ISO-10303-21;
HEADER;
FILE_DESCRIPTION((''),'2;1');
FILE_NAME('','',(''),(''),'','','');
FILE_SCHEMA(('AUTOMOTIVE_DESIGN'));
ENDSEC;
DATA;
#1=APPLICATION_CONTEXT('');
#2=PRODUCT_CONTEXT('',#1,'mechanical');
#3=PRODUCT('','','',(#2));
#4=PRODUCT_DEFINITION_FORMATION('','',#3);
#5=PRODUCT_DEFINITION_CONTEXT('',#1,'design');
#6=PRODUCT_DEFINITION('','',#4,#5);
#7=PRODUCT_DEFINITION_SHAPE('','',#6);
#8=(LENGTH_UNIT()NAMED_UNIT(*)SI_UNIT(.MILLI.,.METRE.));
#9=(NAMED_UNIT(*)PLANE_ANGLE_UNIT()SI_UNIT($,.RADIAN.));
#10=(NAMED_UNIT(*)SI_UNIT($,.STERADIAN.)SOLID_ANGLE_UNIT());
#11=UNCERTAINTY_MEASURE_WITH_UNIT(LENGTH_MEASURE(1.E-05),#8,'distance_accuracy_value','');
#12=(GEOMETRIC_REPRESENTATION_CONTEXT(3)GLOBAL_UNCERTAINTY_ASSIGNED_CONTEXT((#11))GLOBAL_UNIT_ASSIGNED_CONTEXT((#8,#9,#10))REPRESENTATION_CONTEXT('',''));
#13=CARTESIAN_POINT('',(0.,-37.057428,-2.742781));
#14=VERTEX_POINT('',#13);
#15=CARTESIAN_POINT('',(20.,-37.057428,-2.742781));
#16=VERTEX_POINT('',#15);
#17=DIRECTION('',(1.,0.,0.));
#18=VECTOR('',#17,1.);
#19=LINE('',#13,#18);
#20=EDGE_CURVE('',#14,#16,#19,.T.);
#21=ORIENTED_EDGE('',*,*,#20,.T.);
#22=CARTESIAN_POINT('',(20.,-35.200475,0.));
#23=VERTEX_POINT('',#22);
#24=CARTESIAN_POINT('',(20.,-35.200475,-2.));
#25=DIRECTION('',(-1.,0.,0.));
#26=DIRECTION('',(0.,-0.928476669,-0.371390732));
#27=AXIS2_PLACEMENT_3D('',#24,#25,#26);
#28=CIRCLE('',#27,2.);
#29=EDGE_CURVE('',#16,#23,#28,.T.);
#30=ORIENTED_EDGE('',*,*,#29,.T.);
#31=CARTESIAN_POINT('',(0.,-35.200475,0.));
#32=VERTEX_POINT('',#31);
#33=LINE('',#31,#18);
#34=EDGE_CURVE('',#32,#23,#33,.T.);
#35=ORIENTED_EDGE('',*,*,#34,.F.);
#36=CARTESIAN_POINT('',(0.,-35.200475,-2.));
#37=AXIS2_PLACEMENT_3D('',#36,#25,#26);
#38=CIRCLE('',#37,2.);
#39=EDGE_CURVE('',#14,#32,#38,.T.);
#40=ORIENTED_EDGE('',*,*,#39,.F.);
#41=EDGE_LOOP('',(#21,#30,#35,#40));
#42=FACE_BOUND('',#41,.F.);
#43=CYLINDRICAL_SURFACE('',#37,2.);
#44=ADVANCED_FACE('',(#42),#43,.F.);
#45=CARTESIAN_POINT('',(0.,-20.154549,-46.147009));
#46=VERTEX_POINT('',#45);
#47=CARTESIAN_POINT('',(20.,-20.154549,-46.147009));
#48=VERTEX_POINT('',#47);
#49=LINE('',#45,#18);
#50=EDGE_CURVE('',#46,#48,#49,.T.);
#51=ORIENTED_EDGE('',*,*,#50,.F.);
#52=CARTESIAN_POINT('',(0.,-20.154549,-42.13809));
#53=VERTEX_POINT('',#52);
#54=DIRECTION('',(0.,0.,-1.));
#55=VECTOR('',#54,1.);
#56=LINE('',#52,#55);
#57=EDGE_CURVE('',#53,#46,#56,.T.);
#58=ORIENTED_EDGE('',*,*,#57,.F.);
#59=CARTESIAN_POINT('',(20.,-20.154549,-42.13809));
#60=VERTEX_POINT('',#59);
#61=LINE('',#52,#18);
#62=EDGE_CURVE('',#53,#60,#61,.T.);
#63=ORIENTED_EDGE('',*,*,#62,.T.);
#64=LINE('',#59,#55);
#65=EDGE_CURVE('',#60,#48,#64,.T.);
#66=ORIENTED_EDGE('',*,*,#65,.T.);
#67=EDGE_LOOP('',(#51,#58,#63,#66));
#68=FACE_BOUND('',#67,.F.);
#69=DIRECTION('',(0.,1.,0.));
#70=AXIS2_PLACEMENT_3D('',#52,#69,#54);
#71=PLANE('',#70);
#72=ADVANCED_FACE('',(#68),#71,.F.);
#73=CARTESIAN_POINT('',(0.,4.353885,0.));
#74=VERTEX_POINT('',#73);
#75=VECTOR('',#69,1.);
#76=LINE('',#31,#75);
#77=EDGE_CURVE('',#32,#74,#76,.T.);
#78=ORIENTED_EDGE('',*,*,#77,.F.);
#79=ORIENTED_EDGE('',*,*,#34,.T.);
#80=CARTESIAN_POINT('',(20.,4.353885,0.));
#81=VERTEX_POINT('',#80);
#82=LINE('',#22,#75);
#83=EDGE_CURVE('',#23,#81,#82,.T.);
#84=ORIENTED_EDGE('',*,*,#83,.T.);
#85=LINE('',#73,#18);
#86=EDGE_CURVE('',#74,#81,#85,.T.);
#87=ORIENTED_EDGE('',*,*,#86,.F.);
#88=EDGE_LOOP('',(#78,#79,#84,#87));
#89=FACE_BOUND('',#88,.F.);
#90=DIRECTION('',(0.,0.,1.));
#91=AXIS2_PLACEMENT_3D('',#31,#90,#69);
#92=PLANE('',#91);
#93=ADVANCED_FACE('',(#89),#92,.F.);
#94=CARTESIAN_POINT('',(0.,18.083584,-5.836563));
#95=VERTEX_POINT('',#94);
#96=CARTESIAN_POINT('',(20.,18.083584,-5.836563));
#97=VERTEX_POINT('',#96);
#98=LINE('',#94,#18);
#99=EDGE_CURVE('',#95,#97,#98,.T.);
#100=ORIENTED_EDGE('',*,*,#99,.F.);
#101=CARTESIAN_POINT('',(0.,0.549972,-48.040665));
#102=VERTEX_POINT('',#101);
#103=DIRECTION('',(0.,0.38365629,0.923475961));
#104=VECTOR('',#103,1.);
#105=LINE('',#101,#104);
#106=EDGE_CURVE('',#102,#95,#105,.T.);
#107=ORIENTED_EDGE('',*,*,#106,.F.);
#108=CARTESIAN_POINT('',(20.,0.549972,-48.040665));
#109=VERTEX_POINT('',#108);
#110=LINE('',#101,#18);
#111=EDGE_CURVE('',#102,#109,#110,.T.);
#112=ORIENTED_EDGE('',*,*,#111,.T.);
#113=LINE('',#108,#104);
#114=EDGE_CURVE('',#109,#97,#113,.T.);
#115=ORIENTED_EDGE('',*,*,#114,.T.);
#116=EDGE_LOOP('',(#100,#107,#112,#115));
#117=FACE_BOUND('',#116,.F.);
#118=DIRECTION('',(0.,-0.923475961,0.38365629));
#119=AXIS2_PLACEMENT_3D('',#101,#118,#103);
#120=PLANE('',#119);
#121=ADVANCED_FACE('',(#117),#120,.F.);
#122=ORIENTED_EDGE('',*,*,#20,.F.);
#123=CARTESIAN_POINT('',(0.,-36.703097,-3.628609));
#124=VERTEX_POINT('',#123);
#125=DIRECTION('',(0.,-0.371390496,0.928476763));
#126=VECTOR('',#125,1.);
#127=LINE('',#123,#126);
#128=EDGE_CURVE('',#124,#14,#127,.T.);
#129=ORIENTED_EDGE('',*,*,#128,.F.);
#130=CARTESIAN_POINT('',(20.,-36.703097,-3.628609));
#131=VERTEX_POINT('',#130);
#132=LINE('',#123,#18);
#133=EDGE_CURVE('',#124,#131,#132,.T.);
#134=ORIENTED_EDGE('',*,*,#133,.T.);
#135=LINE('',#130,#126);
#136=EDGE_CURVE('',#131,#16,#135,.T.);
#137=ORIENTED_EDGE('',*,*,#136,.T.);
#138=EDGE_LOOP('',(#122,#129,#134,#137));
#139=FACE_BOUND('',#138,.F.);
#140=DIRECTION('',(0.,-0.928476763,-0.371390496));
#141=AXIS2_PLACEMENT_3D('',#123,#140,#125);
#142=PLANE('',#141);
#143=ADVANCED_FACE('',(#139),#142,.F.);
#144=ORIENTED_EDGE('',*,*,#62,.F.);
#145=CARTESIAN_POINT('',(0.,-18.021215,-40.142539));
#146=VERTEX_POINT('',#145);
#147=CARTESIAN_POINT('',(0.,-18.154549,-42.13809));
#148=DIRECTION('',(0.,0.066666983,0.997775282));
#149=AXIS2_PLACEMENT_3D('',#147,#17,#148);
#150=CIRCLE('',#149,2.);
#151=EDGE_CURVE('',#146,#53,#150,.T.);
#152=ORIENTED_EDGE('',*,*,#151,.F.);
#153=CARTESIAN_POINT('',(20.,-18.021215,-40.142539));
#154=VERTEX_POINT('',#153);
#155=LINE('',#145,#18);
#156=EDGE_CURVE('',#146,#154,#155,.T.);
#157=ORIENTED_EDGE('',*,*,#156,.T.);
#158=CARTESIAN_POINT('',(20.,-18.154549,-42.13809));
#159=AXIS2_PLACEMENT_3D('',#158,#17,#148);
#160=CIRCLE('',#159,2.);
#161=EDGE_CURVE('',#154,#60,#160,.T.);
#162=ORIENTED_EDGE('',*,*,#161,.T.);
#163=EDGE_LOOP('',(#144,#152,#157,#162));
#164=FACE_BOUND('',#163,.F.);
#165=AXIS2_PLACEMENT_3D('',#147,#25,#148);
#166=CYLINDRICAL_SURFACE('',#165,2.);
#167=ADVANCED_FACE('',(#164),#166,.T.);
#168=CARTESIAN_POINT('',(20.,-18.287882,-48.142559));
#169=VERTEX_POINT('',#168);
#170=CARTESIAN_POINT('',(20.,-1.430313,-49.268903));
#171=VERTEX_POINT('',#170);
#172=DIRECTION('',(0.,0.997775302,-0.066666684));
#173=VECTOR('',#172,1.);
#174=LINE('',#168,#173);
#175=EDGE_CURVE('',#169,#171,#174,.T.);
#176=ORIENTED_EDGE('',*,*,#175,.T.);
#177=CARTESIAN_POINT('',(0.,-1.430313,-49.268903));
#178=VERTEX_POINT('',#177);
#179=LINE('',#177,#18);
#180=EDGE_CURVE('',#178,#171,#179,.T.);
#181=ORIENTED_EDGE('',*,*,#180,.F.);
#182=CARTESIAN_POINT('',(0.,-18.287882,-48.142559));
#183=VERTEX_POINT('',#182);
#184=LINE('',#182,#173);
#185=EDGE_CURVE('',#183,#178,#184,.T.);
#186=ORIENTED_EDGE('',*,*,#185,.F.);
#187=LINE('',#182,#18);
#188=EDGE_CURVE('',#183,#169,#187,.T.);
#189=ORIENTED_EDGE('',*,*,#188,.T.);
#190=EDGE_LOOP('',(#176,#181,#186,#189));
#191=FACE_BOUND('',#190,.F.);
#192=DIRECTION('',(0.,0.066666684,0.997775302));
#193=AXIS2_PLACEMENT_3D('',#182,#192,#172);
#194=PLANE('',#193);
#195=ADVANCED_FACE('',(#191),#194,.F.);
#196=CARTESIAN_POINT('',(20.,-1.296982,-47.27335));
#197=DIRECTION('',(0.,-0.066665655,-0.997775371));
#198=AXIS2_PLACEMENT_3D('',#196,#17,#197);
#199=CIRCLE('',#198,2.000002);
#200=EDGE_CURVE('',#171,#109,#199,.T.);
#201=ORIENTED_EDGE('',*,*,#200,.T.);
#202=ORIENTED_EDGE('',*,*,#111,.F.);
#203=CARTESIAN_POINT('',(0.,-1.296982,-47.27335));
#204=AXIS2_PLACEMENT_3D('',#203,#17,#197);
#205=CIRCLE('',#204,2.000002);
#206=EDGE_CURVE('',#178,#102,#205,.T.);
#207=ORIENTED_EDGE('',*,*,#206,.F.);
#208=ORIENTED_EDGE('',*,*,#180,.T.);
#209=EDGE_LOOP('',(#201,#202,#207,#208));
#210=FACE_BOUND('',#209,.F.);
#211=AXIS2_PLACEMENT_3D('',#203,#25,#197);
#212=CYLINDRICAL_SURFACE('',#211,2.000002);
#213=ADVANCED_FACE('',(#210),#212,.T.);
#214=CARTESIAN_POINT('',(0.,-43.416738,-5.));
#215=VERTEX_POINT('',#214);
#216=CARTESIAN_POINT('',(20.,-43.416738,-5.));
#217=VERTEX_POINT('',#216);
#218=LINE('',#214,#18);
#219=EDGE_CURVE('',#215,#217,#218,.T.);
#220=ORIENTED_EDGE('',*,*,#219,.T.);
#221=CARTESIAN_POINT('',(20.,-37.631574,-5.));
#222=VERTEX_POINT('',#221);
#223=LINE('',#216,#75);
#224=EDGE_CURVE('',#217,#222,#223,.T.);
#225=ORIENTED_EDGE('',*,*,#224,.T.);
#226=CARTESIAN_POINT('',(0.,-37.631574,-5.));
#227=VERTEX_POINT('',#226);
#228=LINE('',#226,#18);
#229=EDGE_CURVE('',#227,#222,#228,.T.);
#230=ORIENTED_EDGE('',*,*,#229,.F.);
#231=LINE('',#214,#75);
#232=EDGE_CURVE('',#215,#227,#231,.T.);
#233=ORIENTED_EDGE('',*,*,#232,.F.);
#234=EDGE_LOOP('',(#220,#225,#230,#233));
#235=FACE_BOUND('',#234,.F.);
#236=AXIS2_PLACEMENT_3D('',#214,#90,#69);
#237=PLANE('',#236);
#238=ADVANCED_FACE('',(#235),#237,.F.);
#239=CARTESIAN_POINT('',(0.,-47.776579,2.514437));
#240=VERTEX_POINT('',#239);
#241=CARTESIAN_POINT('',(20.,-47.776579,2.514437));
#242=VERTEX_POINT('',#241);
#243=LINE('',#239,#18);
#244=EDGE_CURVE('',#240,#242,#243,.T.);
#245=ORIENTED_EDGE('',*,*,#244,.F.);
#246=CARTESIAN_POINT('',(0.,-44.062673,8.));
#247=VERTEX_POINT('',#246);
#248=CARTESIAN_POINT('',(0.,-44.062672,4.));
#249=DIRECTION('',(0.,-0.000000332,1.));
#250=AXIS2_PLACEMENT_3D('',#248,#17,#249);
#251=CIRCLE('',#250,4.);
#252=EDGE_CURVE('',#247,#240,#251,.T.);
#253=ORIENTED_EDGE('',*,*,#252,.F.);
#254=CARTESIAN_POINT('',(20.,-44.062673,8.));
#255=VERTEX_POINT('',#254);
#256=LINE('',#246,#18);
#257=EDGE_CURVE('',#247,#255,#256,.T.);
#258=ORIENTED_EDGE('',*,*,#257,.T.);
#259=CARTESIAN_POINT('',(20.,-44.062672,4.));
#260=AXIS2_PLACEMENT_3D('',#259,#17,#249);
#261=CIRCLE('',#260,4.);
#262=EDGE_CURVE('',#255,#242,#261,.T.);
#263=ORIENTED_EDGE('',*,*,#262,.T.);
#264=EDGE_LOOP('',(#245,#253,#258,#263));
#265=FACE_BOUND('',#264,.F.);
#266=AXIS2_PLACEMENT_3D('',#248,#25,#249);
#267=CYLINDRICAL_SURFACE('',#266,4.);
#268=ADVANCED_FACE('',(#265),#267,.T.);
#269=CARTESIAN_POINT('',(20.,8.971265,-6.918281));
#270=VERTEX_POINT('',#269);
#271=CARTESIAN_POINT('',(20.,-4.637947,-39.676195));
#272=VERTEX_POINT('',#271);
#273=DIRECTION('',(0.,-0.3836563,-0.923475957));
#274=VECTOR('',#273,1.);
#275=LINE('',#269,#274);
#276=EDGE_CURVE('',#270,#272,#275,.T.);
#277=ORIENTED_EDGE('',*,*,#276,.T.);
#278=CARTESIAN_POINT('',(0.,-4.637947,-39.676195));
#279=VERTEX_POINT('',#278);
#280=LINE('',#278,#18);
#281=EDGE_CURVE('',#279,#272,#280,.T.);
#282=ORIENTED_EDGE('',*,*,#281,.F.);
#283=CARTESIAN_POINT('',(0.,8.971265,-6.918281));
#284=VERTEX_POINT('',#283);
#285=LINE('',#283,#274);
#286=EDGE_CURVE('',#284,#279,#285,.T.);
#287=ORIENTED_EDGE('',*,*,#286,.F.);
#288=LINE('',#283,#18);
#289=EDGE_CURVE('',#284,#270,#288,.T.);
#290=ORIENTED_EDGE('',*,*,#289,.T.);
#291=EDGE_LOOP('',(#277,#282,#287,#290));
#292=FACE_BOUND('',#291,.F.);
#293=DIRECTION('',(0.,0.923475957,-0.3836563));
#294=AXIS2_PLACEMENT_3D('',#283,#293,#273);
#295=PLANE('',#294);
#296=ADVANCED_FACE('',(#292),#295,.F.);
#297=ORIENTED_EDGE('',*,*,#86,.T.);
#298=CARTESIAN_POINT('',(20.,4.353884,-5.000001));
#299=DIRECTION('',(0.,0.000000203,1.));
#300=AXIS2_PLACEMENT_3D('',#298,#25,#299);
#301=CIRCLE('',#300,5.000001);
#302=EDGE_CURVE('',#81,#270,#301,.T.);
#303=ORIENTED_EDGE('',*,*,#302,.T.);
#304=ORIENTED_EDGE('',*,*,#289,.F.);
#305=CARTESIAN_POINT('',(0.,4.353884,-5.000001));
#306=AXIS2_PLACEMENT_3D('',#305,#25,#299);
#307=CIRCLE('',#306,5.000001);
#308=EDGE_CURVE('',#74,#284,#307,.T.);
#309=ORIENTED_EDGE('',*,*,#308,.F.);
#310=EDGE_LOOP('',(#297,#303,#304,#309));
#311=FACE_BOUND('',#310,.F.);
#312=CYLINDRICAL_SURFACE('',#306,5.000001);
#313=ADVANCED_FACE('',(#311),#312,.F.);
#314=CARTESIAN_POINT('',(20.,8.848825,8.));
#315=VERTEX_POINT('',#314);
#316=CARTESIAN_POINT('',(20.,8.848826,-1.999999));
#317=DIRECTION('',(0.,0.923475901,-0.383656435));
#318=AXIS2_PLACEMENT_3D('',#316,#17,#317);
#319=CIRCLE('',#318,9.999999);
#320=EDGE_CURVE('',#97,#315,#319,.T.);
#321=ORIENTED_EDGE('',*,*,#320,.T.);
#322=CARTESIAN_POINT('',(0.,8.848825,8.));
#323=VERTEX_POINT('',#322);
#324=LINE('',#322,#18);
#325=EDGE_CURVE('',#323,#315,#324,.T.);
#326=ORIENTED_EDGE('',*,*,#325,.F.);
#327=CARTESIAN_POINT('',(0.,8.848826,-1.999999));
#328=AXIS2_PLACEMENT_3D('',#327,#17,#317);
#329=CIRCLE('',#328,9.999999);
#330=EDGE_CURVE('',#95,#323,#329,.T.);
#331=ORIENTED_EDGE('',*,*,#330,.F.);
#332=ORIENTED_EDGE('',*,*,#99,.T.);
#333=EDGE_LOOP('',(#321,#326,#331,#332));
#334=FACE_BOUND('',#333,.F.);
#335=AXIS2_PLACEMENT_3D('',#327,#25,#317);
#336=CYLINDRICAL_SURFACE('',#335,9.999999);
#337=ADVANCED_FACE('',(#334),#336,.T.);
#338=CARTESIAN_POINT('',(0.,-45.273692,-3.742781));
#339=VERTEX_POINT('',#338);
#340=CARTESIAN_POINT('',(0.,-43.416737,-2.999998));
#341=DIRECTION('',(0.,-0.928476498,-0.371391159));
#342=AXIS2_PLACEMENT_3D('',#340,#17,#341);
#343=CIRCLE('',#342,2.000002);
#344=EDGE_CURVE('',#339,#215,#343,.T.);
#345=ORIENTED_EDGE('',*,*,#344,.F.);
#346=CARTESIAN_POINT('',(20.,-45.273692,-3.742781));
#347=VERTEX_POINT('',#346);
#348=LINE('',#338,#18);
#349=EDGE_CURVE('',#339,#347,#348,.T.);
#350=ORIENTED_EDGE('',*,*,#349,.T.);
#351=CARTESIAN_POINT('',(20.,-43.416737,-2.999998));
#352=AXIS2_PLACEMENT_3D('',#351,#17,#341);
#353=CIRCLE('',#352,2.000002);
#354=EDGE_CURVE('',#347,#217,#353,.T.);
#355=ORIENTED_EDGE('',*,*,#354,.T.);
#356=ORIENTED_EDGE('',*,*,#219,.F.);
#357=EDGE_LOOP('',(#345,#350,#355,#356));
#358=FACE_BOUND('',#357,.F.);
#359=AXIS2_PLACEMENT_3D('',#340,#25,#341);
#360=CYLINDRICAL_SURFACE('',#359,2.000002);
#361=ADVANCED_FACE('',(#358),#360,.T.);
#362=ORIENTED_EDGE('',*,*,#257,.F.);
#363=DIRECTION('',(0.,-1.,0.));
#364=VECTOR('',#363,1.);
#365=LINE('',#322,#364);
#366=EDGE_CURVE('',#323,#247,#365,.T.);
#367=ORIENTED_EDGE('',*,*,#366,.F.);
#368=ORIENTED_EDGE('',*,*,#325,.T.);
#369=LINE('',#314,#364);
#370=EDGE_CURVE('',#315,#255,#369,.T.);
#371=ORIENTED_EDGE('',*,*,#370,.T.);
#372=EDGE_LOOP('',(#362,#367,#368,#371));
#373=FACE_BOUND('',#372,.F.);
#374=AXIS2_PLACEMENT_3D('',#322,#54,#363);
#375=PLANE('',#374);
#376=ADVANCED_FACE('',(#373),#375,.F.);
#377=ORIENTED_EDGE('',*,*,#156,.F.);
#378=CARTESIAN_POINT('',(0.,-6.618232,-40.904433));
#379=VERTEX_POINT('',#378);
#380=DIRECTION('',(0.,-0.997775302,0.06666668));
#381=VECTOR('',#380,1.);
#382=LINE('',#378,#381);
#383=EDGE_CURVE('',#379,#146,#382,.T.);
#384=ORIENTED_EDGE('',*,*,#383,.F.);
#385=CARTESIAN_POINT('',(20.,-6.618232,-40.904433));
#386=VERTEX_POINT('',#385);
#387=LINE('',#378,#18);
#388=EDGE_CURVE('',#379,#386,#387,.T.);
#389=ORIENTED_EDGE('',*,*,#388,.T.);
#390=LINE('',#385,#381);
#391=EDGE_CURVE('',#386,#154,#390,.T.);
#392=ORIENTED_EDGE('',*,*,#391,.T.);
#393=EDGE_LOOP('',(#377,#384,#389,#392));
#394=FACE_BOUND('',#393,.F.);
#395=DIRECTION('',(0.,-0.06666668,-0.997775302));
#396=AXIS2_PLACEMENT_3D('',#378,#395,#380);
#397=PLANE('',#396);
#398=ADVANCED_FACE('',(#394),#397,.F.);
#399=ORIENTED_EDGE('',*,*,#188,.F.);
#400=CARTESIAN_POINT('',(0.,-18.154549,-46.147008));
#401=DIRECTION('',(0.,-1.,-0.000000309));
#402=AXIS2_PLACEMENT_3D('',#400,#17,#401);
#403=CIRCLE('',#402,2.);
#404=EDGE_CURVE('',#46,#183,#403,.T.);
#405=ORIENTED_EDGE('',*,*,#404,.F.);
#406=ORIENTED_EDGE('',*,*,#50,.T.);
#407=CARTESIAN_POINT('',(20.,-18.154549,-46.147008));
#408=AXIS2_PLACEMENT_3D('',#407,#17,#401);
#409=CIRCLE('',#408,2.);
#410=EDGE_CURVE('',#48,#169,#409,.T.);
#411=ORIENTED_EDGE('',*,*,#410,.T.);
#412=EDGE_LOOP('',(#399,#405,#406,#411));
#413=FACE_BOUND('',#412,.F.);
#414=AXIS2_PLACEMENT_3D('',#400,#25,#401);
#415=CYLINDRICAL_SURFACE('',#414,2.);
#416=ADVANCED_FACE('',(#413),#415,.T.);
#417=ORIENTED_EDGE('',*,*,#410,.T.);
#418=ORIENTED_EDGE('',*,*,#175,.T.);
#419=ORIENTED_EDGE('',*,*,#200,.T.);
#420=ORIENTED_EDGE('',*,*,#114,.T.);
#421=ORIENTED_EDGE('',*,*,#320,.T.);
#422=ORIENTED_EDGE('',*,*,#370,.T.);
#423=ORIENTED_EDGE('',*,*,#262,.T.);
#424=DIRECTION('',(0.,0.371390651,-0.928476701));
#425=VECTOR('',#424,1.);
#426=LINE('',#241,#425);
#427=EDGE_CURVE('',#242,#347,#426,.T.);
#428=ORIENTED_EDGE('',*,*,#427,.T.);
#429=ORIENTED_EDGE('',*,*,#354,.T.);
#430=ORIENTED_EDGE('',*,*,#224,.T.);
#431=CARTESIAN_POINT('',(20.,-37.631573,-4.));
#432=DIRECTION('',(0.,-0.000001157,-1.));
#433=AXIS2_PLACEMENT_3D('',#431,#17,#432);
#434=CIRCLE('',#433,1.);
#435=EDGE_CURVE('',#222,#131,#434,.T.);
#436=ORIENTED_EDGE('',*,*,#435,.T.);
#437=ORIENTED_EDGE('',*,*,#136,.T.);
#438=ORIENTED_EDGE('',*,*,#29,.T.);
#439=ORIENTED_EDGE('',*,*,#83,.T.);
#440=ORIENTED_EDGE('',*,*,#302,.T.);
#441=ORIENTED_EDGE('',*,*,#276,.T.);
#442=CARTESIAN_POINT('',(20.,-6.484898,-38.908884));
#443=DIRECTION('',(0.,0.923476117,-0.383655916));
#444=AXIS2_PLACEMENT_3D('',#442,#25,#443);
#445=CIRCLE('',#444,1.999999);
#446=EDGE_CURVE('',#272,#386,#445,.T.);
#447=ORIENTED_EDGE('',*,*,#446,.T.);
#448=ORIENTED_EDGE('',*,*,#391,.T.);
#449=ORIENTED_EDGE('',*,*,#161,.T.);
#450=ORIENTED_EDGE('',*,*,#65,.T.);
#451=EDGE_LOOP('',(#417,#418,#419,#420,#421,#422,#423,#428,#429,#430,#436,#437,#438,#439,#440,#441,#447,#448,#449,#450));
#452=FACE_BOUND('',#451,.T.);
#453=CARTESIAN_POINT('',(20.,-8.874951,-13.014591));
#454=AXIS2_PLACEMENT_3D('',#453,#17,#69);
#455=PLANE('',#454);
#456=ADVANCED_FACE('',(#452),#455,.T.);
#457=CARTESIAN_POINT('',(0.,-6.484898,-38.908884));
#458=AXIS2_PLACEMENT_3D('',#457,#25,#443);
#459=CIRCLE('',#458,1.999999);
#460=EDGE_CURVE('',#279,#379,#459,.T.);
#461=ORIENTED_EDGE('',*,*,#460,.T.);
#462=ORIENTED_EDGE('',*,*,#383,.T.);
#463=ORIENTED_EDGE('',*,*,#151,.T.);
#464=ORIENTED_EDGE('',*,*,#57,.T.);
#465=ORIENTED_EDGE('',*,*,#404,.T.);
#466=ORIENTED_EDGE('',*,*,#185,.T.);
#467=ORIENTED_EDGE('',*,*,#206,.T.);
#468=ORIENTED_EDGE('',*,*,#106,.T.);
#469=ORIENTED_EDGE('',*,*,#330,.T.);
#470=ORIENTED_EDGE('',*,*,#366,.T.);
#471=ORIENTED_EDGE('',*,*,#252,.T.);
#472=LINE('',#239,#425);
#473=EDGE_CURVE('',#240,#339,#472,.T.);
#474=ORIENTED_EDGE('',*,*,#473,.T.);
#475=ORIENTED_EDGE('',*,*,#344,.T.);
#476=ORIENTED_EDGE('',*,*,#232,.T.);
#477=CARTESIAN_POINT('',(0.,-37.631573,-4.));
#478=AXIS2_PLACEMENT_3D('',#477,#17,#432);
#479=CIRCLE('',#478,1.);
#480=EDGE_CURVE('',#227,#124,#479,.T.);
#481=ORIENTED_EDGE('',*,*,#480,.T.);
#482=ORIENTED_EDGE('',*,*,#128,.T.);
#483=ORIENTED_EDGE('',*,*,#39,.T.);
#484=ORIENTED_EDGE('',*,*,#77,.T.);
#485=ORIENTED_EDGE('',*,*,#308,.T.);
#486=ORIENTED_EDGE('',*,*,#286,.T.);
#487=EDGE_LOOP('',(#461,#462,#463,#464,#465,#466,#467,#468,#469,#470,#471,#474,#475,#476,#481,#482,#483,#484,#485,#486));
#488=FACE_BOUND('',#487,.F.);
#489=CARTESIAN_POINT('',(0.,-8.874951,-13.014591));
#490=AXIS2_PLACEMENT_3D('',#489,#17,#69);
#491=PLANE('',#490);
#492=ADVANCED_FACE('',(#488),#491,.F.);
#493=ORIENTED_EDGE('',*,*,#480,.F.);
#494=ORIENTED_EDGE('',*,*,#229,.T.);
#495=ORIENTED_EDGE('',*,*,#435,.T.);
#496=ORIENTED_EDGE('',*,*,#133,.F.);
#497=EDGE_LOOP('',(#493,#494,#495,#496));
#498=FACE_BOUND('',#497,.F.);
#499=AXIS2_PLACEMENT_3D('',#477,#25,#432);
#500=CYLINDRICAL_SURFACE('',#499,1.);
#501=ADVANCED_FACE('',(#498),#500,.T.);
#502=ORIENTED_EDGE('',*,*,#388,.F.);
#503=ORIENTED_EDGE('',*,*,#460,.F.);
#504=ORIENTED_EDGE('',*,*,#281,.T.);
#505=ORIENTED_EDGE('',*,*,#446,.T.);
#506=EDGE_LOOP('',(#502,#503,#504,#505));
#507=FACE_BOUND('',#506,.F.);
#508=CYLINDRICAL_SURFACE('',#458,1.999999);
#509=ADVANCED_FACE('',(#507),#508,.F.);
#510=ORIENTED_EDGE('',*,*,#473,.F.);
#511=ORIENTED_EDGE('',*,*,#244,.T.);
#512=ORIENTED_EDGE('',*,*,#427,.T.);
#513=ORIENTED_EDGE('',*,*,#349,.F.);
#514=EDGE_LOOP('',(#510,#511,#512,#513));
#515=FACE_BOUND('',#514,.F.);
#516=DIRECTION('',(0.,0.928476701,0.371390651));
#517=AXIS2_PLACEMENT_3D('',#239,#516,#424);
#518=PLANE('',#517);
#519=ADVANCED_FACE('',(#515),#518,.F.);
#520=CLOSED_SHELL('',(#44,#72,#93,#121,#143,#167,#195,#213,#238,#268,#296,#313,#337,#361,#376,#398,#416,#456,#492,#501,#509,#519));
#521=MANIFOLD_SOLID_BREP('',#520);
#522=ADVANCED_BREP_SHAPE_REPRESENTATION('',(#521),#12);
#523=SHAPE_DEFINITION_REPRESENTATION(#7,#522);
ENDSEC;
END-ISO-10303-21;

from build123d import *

# Parameters (mm, degrees)
F1_DEPTH = 20


with BuildPart() as f1:
    # F0 (on Right) → F1 (new body)
    with BuildSketch(Plane.YZ):
        with BuildLine():
            ThreePointArc((-37.057428, -2.742781), (-36.856609, -0.878742), (-35.200475, 0))
            Line((-35.200475, 0), (4.353885, 0))
            ThreePointArc((4.353885, 0), (8.512695, -2.224339), (8.971265, -6.918281))
            Line((8.971265, -6.918281), (-4.637947, -39.676195))
            ThreePointArc((-4.637947, -39.676195), (-5.430734, -40.608511), (-6.618232, -40.904433))
            Line((-6.618232, -40.904433), (-18.021215, -40.142539))
            ThreePointArc((-18.021215, -40.142539), (-19.520809, -40.677496), (-20.154549, -42.13809))
            Line((-20.154549, -42.13809), (-20.154549, -46.147009))
            ThreePointArc((-20.154549, -46.147009), (-19.615142, -47.513269), (-18.287882, -48.142559))
            Line((-18.287882, -48.142559), (-1.430313, -49.268903))
            ThreePointArc((-1.430313, -49.268903), (-0.242815, -48.97298), (0.549972, -48.040665))
            Line((0.549972, -48.040665), (18.083584, -5.836563))
            ThreePointArc((18.083584, -5.836563), (17.166446, 3.551323), (8.848825, 8))
            Line((8.848825, 8), (-44.062673, 8))
            ThreePointArc((-44.062673, 8), (-47.374941, 6.242515), (-47.776579, 2.514437))
            Line((-47.776579, 2.514437), (-45.273692, -3.742781))
            ThreePointArc((-45.273692, -3.742781), (-44.537996, -4.656134), (-43.416738, -5))
            Line((-43.416738, -5), (-37.631574, -5))
            ThreePointArc((-37.631574, -5), (-36.803506, -4.560629), (-36.703097, -3.628609))
            Line((-36.703097, -3.628609), (-37.057428, -2.742781))
        make_face()
    extrude(amount=F1_DEPTH)


solid = f1.part
